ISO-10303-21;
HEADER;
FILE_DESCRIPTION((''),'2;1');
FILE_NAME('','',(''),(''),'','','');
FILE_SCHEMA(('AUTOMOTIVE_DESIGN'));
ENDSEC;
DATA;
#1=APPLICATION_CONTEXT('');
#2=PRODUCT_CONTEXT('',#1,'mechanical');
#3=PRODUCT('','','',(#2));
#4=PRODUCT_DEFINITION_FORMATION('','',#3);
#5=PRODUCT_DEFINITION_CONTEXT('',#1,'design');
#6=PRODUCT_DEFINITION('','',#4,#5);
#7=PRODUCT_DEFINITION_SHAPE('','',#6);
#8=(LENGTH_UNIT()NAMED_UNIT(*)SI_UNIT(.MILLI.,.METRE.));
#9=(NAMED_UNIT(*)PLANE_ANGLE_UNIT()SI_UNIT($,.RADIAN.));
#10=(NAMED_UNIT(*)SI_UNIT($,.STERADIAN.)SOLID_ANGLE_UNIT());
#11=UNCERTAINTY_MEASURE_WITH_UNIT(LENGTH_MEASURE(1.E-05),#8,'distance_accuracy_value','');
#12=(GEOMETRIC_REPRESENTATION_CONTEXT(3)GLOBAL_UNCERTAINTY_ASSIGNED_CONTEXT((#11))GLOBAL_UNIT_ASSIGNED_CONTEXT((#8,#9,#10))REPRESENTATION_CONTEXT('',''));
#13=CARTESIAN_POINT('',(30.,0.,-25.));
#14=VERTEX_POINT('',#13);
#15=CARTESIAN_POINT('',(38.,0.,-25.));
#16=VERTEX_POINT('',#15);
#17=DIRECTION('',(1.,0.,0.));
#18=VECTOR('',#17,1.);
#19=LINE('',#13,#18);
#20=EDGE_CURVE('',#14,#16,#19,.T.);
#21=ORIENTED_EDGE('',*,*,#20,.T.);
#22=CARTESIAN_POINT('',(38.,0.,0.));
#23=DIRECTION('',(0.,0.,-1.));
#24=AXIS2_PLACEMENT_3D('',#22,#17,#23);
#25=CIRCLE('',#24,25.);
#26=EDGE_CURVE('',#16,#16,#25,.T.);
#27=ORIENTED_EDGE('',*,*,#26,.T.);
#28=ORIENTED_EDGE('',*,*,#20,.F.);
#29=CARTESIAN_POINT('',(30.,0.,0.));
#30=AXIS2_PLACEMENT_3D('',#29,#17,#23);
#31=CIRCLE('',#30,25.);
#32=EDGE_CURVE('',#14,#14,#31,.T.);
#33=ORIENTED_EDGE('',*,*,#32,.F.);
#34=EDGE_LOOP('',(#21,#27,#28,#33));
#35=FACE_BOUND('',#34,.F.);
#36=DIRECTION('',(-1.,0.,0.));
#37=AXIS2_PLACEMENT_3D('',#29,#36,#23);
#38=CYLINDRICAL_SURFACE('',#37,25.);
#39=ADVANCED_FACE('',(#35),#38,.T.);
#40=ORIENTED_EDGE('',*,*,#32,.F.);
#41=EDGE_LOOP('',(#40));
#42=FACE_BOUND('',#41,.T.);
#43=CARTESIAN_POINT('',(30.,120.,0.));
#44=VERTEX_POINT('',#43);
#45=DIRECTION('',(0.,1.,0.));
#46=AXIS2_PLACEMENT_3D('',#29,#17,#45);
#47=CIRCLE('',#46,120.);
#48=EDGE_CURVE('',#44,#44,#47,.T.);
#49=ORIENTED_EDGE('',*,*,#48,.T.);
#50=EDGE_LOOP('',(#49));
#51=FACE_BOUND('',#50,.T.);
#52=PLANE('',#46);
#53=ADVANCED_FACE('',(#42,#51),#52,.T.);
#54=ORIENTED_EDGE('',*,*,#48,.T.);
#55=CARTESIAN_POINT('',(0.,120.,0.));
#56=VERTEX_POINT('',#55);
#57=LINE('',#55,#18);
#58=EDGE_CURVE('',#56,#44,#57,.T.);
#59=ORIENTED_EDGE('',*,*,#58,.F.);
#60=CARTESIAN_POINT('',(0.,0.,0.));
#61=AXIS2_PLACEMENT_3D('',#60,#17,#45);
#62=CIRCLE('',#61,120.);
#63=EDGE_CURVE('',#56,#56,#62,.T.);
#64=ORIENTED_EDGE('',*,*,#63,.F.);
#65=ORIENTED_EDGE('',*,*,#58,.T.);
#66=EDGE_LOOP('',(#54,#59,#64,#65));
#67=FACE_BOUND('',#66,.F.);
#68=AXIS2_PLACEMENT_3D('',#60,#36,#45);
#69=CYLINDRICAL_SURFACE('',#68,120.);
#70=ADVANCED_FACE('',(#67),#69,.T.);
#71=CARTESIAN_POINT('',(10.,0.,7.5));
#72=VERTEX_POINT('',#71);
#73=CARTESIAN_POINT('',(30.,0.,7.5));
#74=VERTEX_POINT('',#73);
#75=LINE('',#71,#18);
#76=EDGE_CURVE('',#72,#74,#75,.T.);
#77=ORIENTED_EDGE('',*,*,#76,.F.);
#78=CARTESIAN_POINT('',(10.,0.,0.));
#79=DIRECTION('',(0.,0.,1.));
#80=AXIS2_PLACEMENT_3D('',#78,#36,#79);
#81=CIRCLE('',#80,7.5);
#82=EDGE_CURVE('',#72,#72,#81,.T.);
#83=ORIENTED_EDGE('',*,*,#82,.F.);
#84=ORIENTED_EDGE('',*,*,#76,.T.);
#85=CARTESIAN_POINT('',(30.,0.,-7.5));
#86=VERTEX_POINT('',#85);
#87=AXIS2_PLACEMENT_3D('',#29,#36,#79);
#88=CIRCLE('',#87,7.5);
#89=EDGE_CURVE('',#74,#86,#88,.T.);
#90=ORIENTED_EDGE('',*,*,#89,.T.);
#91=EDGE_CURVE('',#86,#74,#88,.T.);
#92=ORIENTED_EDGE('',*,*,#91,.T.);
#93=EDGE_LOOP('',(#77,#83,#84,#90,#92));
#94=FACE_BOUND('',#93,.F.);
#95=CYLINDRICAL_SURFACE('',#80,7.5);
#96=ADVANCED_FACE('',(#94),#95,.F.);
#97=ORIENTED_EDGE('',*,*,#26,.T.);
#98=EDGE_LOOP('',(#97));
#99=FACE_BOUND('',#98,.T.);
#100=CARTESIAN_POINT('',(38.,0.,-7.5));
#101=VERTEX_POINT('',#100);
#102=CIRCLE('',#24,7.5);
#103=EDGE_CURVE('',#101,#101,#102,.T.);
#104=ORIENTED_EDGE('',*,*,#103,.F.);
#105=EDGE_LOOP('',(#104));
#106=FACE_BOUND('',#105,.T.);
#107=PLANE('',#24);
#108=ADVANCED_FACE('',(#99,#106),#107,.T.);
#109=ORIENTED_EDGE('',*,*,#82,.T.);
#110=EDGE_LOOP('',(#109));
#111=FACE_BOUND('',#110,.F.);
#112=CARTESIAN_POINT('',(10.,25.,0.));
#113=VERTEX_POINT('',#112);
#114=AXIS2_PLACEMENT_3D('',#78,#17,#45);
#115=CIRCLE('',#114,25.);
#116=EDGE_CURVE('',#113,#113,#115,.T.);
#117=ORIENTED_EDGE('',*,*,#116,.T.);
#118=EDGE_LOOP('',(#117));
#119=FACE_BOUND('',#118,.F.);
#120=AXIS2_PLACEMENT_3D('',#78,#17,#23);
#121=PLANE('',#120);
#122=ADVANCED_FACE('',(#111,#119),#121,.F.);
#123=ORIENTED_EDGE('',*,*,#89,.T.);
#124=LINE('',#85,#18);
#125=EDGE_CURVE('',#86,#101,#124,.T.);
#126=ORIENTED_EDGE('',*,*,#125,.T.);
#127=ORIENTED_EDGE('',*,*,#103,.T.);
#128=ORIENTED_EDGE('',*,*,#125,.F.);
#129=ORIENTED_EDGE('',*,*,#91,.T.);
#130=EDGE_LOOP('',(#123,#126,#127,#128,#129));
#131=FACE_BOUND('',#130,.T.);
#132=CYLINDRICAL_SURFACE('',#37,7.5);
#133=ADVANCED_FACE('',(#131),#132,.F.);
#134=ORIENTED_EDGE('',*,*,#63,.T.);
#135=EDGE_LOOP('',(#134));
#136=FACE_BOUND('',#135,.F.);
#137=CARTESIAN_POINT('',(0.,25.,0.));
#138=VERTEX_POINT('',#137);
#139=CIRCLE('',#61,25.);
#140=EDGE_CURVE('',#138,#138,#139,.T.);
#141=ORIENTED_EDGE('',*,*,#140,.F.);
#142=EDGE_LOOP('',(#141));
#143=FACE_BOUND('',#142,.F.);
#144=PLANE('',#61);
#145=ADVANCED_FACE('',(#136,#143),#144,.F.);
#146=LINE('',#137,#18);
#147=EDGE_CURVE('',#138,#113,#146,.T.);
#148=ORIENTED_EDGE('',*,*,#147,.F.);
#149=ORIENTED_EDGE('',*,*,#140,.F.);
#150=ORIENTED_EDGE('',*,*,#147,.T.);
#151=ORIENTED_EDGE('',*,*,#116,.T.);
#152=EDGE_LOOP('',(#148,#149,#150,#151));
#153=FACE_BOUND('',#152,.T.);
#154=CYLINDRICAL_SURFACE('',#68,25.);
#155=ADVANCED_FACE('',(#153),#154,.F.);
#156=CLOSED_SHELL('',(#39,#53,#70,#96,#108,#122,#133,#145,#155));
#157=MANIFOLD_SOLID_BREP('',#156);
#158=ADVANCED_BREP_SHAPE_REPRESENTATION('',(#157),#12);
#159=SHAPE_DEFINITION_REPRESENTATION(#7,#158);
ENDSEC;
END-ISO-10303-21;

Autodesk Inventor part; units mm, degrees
ref_plane "YZ Plane" through (0, 0, 0) normal (1, 0, 0) x (0, 1, 0)
ref_plane "XZ Plane" through (0, 0, 0) normal (0, 1, 0) x (-1, 0, 0)
ref_plane "XY Plane" through (0, 0, 0) normal (0, 0, 1) x (1, 0, 0)
sketch "Sketch1" plane through (0, 0, 0) normal (1, 0, 0) x (0, 1, 0)
  circle A0 centre (0, 0) radius 120
  circle A1 centre (0, 0) radius 25
  circle A2 centre (0, 0) radius 7.5
  dimension "d0" = 240
  dimension "d1" = 50
  dimension "d2" = 15
extrude "Extrusion1" add sketch "Sketch1" along normal blind 30 contours A0
sketch "Sketch2" plane through (30, 0, 0) normal (1, 0, 0) x (0, 0, -1)
  circle A0 centre (0, 0) radius 25
extrude "Extrusion2" add sketch "Sketch2" against normal blind 20
sketch "Sketch3" plane through (10, 0, 0) normal (-1, 0, 0) x (0, 0, 1)
  circle A0 centre (0, 0) radius 7.5
  dimension "d7" = 15
extrude "Extrusion3" cut sketch "Sketch3" against normal blind 20
sketch "Sketch4" plane through (30, 0, 0) normal (1, 0, 0) x (0, 0, -1)
  circle A0 centre (0, 0) radius 7.5 projected
  circle A1 centre (0, 0) radius 25
  dimension "d10" = 50
extrude "Extrusion4" add sketch "Sketch4" along normal blind 8
properties part number "wheel"
